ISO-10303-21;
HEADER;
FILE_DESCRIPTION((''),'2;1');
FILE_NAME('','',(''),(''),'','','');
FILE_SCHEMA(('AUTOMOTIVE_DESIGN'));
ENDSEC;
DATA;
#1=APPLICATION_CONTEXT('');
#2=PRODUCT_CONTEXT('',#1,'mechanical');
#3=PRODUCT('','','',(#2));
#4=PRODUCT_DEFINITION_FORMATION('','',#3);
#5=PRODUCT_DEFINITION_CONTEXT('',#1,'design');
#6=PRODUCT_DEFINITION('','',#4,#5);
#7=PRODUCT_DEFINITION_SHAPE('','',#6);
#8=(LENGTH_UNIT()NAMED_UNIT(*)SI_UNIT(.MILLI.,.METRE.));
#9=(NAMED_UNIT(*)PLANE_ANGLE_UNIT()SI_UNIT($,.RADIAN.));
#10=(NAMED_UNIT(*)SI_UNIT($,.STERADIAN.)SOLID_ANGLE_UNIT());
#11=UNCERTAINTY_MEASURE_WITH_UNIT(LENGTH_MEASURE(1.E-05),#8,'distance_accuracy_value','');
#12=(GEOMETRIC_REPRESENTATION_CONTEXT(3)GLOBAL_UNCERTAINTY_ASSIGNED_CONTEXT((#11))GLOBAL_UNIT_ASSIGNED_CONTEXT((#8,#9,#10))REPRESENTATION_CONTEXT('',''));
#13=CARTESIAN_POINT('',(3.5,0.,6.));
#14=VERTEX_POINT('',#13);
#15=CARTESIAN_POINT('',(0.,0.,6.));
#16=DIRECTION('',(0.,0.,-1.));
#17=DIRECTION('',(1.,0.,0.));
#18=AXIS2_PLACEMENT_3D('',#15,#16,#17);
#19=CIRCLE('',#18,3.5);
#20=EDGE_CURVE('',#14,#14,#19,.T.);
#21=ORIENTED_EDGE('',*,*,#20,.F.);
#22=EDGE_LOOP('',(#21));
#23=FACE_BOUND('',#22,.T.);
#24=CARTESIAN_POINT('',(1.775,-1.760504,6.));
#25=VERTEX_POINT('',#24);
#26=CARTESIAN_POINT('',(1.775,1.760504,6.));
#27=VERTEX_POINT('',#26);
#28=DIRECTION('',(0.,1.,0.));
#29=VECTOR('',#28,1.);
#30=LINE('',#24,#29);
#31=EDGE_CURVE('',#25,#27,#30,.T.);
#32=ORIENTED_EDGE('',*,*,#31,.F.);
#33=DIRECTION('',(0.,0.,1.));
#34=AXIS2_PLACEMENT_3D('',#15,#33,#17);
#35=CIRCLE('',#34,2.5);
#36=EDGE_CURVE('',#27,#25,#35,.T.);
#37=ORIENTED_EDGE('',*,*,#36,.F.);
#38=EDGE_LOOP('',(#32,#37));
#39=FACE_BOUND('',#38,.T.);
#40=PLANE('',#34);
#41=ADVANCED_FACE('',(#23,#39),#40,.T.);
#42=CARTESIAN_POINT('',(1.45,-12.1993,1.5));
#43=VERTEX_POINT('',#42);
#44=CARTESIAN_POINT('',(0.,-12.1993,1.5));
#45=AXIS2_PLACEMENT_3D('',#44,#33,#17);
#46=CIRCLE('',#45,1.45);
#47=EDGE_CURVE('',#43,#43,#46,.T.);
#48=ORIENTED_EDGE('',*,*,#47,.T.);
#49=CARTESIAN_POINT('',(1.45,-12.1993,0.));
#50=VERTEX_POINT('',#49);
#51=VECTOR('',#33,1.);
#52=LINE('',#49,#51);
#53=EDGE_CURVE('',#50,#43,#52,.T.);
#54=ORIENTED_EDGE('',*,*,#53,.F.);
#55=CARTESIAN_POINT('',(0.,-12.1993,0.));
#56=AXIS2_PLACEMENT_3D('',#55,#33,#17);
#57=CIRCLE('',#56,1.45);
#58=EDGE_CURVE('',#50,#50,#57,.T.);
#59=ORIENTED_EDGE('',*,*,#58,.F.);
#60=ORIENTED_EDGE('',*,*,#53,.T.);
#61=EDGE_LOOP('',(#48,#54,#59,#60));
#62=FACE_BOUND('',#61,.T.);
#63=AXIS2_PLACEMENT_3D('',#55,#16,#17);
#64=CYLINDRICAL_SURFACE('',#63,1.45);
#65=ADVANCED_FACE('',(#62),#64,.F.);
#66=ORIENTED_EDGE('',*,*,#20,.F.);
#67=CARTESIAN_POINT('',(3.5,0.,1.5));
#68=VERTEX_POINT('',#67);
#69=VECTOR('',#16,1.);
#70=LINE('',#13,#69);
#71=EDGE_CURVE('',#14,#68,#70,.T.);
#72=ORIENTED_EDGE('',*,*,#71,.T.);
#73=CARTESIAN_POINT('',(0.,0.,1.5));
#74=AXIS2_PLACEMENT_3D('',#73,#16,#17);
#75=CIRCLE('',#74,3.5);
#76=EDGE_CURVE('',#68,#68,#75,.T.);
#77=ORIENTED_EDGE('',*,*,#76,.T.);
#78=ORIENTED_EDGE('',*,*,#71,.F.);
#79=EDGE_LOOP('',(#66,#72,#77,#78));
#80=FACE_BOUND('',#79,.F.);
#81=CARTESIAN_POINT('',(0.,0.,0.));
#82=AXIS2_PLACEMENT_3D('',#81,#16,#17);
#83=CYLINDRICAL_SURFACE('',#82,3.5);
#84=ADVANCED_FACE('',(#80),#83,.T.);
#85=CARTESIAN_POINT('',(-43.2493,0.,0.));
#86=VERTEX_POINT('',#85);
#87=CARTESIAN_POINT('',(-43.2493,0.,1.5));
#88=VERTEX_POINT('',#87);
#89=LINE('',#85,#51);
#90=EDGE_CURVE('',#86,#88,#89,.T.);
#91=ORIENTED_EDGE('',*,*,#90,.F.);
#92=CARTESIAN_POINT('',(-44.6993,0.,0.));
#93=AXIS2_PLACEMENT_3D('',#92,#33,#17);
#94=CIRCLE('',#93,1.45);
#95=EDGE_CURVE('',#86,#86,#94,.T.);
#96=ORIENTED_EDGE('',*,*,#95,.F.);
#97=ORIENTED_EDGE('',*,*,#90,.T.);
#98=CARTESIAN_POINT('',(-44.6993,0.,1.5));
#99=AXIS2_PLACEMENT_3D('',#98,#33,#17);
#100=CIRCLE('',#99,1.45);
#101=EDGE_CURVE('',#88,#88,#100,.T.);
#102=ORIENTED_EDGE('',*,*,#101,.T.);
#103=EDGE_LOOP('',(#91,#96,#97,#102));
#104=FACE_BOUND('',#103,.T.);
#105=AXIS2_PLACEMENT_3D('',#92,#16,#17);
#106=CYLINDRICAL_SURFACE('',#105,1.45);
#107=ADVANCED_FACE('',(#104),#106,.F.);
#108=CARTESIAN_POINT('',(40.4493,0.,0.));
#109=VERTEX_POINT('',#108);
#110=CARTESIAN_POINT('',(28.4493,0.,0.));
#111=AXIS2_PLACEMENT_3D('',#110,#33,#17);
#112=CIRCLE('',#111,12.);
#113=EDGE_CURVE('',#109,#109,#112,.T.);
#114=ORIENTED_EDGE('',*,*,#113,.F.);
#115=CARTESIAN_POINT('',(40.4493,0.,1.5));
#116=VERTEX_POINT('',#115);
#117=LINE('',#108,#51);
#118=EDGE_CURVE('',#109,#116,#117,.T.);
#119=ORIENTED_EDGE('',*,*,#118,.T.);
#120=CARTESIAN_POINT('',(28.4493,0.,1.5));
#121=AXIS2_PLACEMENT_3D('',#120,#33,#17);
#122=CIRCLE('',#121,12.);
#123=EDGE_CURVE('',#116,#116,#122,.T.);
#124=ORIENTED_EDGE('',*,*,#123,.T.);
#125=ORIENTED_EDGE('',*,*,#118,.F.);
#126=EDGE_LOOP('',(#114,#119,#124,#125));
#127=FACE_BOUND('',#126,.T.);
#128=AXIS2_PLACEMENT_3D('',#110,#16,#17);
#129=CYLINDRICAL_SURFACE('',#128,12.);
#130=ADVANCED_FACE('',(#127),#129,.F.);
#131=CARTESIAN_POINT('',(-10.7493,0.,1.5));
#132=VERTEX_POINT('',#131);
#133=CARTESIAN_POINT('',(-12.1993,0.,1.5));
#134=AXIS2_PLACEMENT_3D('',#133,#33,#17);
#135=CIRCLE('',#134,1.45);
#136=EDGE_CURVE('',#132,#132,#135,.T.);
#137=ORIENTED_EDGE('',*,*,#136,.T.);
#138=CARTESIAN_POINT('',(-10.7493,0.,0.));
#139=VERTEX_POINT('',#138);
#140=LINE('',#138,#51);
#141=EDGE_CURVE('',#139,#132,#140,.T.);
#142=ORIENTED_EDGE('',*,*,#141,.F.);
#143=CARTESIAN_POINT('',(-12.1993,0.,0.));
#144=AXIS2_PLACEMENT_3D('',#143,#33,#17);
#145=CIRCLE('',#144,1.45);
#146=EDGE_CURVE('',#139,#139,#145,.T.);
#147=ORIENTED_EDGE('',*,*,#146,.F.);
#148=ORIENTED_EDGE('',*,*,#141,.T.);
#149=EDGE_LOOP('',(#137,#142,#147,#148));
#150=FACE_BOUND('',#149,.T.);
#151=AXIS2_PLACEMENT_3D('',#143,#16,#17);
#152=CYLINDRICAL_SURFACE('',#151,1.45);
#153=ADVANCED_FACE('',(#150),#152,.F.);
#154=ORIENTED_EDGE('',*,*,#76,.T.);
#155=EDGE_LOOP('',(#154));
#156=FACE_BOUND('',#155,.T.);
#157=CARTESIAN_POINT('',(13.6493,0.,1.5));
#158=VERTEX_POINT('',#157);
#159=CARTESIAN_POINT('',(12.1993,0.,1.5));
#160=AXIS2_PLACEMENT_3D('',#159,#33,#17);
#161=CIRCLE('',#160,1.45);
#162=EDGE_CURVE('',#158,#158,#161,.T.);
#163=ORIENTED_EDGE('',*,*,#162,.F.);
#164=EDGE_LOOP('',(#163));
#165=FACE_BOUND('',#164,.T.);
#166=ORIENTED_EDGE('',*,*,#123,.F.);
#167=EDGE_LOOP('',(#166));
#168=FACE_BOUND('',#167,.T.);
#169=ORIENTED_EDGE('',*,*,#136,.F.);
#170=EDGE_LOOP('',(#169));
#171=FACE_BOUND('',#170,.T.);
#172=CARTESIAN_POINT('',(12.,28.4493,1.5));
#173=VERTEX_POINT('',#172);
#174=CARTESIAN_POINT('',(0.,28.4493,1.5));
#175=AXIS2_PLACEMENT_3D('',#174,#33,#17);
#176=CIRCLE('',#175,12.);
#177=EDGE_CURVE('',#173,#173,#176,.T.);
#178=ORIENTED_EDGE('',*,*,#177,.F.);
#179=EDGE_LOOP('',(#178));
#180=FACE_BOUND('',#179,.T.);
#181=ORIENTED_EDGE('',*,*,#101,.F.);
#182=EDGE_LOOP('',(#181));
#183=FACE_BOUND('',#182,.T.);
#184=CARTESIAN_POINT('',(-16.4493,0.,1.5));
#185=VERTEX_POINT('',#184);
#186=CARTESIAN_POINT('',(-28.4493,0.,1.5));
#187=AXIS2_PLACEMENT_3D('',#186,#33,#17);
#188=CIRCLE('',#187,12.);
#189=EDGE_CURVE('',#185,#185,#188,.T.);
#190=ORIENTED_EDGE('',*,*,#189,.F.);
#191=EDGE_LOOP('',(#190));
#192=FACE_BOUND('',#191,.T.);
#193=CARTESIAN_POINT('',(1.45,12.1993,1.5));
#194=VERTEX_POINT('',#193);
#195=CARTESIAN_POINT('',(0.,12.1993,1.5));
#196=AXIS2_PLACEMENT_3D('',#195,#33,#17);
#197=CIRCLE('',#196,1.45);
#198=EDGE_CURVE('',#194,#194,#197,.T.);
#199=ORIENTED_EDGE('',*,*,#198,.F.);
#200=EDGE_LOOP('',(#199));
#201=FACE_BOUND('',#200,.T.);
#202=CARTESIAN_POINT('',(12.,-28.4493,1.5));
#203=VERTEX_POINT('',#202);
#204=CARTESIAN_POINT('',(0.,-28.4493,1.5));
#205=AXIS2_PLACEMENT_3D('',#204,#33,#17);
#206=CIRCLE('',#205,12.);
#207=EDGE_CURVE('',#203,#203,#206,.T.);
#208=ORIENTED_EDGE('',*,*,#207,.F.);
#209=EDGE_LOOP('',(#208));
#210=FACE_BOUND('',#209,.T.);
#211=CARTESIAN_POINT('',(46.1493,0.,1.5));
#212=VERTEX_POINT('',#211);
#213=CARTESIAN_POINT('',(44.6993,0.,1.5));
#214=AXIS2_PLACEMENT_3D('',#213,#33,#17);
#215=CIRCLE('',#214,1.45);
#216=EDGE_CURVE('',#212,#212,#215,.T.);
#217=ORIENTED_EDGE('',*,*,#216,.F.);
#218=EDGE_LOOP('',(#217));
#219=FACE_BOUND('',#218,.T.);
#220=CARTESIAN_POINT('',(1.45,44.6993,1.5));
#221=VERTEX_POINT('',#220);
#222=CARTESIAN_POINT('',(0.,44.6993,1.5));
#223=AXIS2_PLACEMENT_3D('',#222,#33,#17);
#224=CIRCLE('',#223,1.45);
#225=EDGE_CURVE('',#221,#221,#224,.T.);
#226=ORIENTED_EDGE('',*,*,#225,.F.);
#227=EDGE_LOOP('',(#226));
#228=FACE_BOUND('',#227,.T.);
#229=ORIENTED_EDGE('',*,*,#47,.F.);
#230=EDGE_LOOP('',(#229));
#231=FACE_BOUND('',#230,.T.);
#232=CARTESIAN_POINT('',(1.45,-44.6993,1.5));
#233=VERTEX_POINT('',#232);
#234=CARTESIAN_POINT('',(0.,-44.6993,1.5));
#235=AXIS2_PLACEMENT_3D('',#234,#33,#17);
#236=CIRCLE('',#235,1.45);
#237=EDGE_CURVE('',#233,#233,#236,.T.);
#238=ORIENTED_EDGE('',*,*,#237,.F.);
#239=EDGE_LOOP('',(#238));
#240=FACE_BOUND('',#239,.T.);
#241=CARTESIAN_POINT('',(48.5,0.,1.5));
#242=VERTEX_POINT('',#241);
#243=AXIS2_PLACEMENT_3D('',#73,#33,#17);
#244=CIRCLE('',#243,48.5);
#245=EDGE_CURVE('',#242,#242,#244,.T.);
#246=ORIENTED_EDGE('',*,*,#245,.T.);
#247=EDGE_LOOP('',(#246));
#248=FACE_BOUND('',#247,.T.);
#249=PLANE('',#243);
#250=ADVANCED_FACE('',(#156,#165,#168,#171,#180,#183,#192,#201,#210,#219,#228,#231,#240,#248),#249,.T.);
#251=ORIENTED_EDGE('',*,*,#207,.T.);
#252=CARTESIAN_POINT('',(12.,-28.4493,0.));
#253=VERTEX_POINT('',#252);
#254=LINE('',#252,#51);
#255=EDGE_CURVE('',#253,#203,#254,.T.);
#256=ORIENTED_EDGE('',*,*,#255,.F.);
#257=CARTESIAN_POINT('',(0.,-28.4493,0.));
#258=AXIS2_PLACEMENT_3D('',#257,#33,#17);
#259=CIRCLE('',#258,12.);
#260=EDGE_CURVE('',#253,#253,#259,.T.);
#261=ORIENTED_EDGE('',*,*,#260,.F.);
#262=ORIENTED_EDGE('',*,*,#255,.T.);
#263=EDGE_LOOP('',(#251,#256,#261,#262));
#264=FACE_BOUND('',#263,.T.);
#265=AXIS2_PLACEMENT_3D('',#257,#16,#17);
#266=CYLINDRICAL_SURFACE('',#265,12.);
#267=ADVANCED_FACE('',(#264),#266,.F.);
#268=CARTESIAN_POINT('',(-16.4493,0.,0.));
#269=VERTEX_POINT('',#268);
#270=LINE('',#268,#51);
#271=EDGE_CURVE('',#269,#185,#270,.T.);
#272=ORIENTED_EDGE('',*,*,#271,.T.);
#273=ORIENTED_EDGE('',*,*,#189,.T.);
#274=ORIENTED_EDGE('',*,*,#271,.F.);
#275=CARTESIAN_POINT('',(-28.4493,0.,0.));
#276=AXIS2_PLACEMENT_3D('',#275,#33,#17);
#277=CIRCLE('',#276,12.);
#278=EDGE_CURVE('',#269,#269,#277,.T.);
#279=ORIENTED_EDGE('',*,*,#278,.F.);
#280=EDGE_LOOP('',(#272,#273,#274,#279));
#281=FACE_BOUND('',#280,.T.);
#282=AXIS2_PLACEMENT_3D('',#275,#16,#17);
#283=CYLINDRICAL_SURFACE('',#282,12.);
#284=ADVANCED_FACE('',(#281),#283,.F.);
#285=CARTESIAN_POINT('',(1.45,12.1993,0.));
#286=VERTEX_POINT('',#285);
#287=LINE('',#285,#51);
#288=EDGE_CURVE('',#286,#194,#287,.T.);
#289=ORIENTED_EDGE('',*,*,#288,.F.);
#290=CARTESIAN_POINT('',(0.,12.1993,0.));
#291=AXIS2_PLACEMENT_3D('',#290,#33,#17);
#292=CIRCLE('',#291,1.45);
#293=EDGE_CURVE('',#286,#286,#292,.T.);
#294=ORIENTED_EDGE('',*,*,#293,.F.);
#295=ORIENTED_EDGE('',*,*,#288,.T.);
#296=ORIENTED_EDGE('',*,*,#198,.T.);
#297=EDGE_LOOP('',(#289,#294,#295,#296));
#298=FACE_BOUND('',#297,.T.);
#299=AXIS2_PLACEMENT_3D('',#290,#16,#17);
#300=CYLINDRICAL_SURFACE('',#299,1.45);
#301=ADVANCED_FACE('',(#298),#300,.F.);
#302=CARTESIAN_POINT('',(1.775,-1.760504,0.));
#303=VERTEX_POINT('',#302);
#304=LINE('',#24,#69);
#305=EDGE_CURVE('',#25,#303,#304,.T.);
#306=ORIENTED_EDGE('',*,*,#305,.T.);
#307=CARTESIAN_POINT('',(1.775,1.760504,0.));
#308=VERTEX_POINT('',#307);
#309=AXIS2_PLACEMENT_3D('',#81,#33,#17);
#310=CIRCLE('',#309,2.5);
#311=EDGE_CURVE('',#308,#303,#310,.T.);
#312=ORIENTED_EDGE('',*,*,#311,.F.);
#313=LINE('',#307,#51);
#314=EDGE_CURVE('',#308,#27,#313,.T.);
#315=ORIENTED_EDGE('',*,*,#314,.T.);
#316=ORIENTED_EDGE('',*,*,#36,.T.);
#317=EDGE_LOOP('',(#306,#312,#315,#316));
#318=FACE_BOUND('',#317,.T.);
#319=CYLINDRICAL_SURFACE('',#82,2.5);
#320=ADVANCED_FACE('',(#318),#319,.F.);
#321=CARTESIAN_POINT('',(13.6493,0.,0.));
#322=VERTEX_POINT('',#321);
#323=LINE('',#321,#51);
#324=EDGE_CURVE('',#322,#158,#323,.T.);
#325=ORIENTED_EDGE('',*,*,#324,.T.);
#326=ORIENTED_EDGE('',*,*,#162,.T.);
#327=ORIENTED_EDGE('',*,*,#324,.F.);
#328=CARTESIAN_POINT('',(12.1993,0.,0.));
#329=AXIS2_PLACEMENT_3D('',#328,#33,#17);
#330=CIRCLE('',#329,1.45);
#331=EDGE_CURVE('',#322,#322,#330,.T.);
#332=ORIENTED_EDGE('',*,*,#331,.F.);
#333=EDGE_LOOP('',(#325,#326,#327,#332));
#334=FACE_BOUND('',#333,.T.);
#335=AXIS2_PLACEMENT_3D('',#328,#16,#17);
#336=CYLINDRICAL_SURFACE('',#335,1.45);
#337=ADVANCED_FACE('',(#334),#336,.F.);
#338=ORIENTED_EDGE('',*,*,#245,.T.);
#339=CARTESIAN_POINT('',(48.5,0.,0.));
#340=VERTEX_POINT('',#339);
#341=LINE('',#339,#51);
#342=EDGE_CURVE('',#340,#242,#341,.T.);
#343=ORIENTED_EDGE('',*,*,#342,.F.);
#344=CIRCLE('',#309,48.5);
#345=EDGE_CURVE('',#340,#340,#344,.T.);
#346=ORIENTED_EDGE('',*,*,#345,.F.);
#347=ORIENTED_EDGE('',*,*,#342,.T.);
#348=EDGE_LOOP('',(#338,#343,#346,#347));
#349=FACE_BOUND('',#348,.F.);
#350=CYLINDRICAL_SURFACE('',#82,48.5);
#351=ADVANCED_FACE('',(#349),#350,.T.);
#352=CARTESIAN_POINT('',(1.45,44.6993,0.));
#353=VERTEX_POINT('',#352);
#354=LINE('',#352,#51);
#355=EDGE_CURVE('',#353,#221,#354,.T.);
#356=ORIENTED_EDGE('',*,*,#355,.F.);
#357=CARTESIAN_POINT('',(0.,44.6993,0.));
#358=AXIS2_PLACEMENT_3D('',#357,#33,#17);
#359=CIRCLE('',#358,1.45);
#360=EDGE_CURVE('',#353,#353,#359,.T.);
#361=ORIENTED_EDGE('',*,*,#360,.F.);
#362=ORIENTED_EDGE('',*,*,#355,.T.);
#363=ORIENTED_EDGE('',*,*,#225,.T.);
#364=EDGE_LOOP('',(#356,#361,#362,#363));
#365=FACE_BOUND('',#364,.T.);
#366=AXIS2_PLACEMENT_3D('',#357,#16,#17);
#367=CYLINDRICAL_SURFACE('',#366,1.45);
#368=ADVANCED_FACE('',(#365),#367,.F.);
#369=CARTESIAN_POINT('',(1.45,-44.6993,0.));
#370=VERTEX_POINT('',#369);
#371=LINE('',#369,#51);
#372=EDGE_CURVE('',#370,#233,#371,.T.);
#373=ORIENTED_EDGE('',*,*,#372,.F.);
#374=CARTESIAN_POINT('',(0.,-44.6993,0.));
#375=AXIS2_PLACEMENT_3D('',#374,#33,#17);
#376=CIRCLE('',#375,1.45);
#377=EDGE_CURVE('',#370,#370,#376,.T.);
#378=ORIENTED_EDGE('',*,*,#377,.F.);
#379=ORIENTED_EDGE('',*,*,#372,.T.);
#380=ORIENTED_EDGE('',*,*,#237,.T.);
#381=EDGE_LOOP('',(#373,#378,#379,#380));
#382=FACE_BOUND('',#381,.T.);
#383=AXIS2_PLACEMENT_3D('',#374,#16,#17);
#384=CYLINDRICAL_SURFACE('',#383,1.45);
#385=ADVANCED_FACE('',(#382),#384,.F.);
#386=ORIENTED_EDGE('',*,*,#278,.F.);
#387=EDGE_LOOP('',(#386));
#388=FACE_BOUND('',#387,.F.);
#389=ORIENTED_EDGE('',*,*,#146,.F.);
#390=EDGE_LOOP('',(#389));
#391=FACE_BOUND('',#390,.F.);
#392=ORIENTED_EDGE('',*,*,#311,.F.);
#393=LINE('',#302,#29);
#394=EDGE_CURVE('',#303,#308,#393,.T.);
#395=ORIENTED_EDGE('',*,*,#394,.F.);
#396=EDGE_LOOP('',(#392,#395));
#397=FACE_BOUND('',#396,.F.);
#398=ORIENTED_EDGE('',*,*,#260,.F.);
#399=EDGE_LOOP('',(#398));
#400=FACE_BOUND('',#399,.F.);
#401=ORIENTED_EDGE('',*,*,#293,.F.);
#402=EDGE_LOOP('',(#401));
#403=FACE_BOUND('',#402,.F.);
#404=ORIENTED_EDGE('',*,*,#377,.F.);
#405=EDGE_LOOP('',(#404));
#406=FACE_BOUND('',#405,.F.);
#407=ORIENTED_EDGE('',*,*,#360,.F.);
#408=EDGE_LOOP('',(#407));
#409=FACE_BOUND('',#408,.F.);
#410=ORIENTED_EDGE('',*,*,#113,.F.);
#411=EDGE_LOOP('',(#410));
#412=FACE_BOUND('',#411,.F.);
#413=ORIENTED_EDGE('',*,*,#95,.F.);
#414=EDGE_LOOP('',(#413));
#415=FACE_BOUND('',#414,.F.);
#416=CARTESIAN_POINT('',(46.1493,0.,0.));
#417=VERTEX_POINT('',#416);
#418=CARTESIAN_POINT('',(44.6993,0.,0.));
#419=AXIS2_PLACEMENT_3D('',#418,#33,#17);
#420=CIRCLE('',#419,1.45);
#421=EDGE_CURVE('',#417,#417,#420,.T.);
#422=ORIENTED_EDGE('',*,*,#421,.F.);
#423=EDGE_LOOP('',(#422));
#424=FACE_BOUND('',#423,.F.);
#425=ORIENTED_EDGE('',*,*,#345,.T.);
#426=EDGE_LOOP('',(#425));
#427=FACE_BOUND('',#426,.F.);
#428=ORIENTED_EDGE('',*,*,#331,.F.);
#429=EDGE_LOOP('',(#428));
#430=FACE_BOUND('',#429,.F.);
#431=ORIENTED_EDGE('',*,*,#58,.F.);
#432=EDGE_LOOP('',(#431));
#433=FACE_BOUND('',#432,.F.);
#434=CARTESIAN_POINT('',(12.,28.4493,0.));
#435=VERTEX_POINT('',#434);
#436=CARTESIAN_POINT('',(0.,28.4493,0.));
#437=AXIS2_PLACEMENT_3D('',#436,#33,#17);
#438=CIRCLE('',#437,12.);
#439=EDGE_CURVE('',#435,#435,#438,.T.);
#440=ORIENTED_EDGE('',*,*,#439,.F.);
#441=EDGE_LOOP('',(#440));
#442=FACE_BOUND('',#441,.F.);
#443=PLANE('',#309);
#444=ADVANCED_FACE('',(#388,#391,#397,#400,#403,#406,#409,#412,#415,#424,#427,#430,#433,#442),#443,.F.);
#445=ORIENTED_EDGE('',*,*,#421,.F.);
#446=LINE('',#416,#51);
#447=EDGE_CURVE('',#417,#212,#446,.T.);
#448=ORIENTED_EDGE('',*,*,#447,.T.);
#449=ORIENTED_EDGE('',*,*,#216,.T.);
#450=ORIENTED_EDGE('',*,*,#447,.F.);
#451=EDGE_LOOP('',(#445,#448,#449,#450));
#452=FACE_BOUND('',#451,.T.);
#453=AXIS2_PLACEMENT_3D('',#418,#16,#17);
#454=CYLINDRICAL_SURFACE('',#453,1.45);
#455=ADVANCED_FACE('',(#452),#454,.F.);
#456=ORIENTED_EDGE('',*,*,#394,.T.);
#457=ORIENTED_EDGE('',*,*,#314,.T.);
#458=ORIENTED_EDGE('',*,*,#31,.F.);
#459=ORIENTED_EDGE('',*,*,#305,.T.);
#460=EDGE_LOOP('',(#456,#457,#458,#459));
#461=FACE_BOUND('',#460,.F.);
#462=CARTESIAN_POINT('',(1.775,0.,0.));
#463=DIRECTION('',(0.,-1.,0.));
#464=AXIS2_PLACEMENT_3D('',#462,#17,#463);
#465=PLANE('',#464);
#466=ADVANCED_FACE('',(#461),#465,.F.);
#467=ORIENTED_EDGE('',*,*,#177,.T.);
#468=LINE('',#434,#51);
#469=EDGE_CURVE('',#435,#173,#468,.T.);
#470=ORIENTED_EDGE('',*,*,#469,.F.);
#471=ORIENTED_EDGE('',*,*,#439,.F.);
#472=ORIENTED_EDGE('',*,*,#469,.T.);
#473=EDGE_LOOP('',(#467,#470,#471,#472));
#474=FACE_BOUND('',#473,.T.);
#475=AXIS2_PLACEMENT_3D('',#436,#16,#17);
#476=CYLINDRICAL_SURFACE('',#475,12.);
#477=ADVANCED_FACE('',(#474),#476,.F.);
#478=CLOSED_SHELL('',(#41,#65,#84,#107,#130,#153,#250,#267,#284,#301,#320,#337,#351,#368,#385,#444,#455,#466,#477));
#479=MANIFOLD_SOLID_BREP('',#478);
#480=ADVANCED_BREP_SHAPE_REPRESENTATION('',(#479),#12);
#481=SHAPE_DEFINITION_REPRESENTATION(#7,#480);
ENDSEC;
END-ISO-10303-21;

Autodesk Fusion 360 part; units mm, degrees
sketch "Sketch1" plane through (0, 0, 0) normal (0, 0, 1) x (1, 0, 0)
  circle A0 centre (0, 0) radius 2.5
  circle A1 centre (0, 0) radius 1.775
  circle A2 centre (0, 0) radius 3.5
  line L0 (1.775, 0) -> (1.775, 3.0165)
  line L1 (1.775, 0) -> (1.775, -3.0165)
  circle A3 centre (0, 0) radius 48.5
  circle A4 centre (0, 44.6993) radius 1.45
  circle A5 centre (0, 44.6993) radius 1.45
  circle A6 centre (0, 12.1993) radius 1.45
  circle A7 centre (0, 28.4493) radius 12
  circle A8 centre (-44.6993, 0) radius 1.45
  circle A9 centre (-28.4493, 0) radius 12
  circle A10 centre (-12.1993, 0) radius 1.45
  circle A11 centre (0, -44.6993) radius 1.45
  circle A12 centre (0, -28.4493) radius 12
  circle A13 centre (0, -12.1993) radius 1.45
  circle A14 centre (44.6993, 0) radius 1.45
  circle A15 centre (28.4493, 0) radius 12
  circle A16 centre (12.1993, 0) radius 1.45
  point P0 (0, 47.6993)
  point P1 (0, 28.4493)
  dimension "d1" = 5
  dimension "d3" = 3.55
  dimension "d4" = 7
  dimension "d5" = 97
  dimension "d7" = 2.9
  dimension "d8" = 32.5
  dimension "d9" = 2.9
  dimension "d10" = 2.9
  dimension "d11" = 24
  dimension "d13" = 360
extrude "Extrude4" add sketch "Sketch1" along normal blind 6 contours A0 L0 L1 | A0 A2 L0 L1 | A0 A2 L0 L1 picked at (2.2513, 0.1082) makes body 1
extrude "Extrude3" add sketch "Sketch1" along normal blind 2 separate body contours A0 L0 L1 | A0 A2 L0 L1 | A0 A2 L0 L1 picked at (2.2513, 0.1082) makes body 2
extrude "Extrude5" add sketch "Sketch1" along normal blind 1.5 contours A3 bodies 1 2
